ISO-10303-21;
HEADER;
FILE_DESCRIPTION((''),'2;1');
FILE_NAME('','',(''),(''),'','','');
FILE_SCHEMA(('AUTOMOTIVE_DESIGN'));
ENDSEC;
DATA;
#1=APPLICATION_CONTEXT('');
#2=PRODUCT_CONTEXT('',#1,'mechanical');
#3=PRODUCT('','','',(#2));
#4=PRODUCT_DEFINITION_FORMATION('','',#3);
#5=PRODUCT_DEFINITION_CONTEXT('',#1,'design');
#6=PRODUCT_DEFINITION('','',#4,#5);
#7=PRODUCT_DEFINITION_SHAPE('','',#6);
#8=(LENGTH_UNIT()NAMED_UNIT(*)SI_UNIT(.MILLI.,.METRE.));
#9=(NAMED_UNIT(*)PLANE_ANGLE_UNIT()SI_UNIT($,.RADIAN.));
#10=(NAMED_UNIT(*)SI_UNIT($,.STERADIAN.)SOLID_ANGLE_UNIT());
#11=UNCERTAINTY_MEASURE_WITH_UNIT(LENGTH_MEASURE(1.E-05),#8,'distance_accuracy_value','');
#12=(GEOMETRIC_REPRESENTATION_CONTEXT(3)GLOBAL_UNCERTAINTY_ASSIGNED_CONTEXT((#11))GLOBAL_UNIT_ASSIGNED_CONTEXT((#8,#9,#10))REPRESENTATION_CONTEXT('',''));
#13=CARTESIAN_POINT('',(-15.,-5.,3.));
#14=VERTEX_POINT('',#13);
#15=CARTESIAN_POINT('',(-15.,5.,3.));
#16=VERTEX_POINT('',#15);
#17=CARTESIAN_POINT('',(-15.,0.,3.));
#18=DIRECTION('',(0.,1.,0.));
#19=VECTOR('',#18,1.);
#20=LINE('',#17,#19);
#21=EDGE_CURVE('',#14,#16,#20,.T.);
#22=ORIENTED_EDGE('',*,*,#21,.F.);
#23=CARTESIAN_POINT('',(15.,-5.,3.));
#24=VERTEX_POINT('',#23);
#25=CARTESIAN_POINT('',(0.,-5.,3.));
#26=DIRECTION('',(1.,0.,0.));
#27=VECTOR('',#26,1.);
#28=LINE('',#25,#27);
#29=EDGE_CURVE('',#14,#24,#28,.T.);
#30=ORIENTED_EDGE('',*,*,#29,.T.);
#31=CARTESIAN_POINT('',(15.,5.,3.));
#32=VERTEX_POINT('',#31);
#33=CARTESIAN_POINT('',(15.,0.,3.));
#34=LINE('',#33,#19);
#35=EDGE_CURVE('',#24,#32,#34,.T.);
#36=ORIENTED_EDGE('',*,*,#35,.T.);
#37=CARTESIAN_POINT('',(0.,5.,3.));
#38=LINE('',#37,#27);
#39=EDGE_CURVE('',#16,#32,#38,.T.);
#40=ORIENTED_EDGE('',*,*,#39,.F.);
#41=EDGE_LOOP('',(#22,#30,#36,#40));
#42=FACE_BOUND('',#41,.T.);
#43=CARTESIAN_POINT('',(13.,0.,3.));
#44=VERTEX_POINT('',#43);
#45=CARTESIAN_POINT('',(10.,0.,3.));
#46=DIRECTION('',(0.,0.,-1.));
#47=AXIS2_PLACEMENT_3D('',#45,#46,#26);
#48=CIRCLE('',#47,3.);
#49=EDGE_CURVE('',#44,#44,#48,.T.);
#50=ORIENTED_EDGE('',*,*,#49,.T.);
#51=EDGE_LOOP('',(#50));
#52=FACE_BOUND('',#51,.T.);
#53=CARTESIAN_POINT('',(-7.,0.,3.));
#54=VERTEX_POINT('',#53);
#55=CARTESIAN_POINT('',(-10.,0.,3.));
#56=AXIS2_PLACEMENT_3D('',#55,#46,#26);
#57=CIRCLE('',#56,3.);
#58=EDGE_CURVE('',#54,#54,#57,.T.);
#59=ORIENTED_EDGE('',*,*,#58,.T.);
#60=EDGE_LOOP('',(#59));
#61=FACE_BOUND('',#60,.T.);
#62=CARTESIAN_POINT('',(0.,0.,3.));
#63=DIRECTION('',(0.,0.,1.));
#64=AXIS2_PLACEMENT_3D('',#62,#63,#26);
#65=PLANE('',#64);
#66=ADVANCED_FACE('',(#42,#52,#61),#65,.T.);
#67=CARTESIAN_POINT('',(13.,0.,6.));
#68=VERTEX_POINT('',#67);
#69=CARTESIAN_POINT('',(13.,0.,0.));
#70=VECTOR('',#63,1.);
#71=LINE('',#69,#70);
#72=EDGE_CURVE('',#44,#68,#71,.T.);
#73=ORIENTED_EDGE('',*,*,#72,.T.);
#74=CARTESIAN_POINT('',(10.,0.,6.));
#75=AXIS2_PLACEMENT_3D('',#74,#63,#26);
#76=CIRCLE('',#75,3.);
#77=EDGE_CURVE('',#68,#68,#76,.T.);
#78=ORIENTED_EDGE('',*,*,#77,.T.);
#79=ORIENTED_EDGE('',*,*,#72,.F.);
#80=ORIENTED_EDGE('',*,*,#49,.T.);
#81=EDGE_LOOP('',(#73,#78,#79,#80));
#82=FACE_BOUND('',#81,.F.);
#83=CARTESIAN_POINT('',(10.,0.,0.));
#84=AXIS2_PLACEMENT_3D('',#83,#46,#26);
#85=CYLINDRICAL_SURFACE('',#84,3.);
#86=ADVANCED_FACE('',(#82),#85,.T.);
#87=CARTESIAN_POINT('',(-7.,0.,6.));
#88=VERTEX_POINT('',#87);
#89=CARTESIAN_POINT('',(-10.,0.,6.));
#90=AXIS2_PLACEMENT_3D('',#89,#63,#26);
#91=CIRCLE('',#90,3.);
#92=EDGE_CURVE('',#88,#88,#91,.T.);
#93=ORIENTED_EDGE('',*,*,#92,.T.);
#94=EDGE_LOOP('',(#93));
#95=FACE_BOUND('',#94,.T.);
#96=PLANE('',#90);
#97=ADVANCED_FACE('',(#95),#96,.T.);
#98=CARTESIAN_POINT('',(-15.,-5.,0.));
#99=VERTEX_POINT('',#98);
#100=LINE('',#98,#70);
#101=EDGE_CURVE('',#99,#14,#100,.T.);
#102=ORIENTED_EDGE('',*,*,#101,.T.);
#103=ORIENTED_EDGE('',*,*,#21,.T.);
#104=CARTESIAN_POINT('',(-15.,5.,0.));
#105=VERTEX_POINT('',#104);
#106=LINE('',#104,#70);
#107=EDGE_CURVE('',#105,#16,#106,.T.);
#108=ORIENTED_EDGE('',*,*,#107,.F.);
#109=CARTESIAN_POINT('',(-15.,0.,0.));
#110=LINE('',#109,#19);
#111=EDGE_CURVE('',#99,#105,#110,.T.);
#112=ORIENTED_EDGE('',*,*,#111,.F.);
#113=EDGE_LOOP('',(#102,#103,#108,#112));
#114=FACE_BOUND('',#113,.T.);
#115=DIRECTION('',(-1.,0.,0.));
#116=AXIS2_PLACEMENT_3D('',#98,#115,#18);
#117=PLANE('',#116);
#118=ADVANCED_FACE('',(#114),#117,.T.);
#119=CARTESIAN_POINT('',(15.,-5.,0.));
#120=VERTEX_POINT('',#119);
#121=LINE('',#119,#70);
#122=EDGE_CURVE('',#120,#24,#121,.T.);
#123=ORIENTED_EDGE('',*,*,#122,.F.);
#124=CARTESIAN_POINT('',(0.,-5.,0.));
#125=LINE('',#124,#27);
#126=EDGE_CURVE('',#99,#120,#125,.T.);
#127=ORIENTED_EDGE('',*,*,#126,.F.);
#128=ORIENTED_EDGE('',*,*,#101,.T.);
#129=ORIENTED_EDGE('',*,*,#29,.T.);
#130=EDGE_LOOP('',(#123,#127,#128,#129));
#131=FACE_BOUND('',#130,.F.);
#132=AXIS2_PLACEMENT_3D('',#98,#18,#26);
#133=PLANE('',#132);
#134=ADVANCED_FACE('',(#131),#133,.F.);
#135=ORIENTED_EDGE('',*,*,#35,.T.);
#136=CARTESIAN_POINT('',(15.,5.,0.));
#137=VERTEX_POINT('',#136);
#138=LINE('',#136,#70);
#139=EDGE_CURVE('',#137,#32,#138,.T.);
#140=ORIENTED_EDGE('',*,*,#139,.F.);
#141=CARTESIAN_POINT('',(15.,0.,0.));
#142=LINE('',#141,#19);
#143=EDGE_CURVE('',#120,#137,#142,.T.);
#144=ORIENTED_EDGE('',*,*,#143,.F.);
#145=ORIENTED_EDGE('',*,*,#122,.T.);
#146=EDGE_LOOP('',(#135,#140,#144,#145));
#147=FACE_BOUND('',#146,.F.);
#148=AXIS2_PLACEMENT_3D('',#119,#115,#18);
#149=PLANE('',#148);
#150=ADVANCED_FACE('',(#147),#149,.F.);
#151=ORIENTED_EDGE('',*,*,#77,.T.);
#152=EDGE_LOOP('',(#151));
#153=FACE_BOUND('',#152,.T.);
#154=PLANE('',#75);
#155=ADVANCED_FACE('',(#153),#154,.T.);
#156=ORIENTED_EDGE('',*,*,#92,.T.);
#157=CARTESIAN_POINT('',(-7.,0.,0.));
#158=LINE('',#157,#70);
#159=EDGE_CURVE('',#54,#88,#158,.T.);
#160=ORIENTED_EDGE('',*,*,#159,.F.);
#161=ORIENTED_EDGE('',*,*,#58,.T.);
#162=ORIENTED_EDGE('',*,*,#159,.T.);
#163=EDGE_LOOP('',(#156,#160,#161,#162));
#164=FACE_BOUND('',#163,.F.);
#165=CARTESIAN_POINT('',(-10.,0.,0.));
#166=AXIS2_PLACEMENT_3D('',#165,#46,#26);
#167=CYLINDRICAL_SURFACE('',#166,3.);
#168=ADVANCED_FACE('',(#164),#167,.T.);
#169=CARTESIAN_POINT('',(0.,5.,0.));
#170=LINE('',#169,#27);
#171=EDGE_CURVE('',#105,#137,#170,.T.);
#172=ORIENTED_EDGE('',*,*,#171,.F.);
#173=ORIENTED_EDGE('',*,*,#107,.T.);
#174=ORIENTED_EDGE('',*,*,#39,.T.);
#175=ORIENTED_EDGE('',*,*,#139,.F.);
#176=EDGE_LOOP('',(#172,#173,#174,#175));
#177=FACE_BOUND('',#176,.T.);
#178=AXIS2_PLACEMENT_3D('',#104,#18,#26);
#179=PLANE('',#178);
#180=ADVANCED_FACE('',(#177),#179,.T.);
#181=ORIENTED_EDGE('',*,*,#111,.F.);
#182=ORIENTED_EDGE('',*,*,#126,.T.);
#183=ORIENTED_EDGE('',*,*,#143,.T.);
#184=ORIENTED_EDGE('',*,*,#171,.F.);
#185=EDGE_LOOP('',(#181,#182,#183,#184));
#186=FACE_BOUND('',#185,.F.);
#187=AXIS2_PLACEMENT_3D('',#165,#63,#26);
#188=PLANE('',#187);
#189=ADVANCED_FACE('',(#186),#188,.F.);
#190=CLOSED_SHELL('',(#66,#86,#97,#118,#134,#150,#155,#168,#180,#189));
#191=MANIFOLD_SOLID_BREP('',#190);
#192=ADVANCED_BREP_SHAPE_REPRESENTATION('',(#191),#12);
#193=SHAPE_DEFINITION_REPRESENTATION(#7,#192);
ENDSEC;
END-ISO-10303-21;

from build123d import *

# Parameters (mm, degrees)
F0_W     = 30
F0_H     = 10
F0_R     = 3
F1_DEPTH = 3
F2_DEPTH = 6


with BuildPart() as f1:
    # F0 (on Top) → F1 (new body)
    with BuildSketch(Plane.XY):
        Rectangle(F0_W, F0_H)
        with Locations((-10, 0)):
            Circle(F0_R, mode=Mode.SUBTRACT)
        with Locations((10, 0)):
            Circle(F0_R, mode=Mode.SUBTRACT)
        with Locations((10, 0)):
            Circle(F0_R)
        with Locations((-10, 0)):
            Circle(F0_R)
    extrude(amount=F1_DEPTH)

    # F0 (on Top) → F2 (join)
    with BuildSketch(Plane.XY):
        with Locations((-10, 0)):
            Circle(F0_R)
        with Locations((10, 0)):
            Circle(F0_R)
    extrude(amount=F2_DEPTH)


solid = f1.part
